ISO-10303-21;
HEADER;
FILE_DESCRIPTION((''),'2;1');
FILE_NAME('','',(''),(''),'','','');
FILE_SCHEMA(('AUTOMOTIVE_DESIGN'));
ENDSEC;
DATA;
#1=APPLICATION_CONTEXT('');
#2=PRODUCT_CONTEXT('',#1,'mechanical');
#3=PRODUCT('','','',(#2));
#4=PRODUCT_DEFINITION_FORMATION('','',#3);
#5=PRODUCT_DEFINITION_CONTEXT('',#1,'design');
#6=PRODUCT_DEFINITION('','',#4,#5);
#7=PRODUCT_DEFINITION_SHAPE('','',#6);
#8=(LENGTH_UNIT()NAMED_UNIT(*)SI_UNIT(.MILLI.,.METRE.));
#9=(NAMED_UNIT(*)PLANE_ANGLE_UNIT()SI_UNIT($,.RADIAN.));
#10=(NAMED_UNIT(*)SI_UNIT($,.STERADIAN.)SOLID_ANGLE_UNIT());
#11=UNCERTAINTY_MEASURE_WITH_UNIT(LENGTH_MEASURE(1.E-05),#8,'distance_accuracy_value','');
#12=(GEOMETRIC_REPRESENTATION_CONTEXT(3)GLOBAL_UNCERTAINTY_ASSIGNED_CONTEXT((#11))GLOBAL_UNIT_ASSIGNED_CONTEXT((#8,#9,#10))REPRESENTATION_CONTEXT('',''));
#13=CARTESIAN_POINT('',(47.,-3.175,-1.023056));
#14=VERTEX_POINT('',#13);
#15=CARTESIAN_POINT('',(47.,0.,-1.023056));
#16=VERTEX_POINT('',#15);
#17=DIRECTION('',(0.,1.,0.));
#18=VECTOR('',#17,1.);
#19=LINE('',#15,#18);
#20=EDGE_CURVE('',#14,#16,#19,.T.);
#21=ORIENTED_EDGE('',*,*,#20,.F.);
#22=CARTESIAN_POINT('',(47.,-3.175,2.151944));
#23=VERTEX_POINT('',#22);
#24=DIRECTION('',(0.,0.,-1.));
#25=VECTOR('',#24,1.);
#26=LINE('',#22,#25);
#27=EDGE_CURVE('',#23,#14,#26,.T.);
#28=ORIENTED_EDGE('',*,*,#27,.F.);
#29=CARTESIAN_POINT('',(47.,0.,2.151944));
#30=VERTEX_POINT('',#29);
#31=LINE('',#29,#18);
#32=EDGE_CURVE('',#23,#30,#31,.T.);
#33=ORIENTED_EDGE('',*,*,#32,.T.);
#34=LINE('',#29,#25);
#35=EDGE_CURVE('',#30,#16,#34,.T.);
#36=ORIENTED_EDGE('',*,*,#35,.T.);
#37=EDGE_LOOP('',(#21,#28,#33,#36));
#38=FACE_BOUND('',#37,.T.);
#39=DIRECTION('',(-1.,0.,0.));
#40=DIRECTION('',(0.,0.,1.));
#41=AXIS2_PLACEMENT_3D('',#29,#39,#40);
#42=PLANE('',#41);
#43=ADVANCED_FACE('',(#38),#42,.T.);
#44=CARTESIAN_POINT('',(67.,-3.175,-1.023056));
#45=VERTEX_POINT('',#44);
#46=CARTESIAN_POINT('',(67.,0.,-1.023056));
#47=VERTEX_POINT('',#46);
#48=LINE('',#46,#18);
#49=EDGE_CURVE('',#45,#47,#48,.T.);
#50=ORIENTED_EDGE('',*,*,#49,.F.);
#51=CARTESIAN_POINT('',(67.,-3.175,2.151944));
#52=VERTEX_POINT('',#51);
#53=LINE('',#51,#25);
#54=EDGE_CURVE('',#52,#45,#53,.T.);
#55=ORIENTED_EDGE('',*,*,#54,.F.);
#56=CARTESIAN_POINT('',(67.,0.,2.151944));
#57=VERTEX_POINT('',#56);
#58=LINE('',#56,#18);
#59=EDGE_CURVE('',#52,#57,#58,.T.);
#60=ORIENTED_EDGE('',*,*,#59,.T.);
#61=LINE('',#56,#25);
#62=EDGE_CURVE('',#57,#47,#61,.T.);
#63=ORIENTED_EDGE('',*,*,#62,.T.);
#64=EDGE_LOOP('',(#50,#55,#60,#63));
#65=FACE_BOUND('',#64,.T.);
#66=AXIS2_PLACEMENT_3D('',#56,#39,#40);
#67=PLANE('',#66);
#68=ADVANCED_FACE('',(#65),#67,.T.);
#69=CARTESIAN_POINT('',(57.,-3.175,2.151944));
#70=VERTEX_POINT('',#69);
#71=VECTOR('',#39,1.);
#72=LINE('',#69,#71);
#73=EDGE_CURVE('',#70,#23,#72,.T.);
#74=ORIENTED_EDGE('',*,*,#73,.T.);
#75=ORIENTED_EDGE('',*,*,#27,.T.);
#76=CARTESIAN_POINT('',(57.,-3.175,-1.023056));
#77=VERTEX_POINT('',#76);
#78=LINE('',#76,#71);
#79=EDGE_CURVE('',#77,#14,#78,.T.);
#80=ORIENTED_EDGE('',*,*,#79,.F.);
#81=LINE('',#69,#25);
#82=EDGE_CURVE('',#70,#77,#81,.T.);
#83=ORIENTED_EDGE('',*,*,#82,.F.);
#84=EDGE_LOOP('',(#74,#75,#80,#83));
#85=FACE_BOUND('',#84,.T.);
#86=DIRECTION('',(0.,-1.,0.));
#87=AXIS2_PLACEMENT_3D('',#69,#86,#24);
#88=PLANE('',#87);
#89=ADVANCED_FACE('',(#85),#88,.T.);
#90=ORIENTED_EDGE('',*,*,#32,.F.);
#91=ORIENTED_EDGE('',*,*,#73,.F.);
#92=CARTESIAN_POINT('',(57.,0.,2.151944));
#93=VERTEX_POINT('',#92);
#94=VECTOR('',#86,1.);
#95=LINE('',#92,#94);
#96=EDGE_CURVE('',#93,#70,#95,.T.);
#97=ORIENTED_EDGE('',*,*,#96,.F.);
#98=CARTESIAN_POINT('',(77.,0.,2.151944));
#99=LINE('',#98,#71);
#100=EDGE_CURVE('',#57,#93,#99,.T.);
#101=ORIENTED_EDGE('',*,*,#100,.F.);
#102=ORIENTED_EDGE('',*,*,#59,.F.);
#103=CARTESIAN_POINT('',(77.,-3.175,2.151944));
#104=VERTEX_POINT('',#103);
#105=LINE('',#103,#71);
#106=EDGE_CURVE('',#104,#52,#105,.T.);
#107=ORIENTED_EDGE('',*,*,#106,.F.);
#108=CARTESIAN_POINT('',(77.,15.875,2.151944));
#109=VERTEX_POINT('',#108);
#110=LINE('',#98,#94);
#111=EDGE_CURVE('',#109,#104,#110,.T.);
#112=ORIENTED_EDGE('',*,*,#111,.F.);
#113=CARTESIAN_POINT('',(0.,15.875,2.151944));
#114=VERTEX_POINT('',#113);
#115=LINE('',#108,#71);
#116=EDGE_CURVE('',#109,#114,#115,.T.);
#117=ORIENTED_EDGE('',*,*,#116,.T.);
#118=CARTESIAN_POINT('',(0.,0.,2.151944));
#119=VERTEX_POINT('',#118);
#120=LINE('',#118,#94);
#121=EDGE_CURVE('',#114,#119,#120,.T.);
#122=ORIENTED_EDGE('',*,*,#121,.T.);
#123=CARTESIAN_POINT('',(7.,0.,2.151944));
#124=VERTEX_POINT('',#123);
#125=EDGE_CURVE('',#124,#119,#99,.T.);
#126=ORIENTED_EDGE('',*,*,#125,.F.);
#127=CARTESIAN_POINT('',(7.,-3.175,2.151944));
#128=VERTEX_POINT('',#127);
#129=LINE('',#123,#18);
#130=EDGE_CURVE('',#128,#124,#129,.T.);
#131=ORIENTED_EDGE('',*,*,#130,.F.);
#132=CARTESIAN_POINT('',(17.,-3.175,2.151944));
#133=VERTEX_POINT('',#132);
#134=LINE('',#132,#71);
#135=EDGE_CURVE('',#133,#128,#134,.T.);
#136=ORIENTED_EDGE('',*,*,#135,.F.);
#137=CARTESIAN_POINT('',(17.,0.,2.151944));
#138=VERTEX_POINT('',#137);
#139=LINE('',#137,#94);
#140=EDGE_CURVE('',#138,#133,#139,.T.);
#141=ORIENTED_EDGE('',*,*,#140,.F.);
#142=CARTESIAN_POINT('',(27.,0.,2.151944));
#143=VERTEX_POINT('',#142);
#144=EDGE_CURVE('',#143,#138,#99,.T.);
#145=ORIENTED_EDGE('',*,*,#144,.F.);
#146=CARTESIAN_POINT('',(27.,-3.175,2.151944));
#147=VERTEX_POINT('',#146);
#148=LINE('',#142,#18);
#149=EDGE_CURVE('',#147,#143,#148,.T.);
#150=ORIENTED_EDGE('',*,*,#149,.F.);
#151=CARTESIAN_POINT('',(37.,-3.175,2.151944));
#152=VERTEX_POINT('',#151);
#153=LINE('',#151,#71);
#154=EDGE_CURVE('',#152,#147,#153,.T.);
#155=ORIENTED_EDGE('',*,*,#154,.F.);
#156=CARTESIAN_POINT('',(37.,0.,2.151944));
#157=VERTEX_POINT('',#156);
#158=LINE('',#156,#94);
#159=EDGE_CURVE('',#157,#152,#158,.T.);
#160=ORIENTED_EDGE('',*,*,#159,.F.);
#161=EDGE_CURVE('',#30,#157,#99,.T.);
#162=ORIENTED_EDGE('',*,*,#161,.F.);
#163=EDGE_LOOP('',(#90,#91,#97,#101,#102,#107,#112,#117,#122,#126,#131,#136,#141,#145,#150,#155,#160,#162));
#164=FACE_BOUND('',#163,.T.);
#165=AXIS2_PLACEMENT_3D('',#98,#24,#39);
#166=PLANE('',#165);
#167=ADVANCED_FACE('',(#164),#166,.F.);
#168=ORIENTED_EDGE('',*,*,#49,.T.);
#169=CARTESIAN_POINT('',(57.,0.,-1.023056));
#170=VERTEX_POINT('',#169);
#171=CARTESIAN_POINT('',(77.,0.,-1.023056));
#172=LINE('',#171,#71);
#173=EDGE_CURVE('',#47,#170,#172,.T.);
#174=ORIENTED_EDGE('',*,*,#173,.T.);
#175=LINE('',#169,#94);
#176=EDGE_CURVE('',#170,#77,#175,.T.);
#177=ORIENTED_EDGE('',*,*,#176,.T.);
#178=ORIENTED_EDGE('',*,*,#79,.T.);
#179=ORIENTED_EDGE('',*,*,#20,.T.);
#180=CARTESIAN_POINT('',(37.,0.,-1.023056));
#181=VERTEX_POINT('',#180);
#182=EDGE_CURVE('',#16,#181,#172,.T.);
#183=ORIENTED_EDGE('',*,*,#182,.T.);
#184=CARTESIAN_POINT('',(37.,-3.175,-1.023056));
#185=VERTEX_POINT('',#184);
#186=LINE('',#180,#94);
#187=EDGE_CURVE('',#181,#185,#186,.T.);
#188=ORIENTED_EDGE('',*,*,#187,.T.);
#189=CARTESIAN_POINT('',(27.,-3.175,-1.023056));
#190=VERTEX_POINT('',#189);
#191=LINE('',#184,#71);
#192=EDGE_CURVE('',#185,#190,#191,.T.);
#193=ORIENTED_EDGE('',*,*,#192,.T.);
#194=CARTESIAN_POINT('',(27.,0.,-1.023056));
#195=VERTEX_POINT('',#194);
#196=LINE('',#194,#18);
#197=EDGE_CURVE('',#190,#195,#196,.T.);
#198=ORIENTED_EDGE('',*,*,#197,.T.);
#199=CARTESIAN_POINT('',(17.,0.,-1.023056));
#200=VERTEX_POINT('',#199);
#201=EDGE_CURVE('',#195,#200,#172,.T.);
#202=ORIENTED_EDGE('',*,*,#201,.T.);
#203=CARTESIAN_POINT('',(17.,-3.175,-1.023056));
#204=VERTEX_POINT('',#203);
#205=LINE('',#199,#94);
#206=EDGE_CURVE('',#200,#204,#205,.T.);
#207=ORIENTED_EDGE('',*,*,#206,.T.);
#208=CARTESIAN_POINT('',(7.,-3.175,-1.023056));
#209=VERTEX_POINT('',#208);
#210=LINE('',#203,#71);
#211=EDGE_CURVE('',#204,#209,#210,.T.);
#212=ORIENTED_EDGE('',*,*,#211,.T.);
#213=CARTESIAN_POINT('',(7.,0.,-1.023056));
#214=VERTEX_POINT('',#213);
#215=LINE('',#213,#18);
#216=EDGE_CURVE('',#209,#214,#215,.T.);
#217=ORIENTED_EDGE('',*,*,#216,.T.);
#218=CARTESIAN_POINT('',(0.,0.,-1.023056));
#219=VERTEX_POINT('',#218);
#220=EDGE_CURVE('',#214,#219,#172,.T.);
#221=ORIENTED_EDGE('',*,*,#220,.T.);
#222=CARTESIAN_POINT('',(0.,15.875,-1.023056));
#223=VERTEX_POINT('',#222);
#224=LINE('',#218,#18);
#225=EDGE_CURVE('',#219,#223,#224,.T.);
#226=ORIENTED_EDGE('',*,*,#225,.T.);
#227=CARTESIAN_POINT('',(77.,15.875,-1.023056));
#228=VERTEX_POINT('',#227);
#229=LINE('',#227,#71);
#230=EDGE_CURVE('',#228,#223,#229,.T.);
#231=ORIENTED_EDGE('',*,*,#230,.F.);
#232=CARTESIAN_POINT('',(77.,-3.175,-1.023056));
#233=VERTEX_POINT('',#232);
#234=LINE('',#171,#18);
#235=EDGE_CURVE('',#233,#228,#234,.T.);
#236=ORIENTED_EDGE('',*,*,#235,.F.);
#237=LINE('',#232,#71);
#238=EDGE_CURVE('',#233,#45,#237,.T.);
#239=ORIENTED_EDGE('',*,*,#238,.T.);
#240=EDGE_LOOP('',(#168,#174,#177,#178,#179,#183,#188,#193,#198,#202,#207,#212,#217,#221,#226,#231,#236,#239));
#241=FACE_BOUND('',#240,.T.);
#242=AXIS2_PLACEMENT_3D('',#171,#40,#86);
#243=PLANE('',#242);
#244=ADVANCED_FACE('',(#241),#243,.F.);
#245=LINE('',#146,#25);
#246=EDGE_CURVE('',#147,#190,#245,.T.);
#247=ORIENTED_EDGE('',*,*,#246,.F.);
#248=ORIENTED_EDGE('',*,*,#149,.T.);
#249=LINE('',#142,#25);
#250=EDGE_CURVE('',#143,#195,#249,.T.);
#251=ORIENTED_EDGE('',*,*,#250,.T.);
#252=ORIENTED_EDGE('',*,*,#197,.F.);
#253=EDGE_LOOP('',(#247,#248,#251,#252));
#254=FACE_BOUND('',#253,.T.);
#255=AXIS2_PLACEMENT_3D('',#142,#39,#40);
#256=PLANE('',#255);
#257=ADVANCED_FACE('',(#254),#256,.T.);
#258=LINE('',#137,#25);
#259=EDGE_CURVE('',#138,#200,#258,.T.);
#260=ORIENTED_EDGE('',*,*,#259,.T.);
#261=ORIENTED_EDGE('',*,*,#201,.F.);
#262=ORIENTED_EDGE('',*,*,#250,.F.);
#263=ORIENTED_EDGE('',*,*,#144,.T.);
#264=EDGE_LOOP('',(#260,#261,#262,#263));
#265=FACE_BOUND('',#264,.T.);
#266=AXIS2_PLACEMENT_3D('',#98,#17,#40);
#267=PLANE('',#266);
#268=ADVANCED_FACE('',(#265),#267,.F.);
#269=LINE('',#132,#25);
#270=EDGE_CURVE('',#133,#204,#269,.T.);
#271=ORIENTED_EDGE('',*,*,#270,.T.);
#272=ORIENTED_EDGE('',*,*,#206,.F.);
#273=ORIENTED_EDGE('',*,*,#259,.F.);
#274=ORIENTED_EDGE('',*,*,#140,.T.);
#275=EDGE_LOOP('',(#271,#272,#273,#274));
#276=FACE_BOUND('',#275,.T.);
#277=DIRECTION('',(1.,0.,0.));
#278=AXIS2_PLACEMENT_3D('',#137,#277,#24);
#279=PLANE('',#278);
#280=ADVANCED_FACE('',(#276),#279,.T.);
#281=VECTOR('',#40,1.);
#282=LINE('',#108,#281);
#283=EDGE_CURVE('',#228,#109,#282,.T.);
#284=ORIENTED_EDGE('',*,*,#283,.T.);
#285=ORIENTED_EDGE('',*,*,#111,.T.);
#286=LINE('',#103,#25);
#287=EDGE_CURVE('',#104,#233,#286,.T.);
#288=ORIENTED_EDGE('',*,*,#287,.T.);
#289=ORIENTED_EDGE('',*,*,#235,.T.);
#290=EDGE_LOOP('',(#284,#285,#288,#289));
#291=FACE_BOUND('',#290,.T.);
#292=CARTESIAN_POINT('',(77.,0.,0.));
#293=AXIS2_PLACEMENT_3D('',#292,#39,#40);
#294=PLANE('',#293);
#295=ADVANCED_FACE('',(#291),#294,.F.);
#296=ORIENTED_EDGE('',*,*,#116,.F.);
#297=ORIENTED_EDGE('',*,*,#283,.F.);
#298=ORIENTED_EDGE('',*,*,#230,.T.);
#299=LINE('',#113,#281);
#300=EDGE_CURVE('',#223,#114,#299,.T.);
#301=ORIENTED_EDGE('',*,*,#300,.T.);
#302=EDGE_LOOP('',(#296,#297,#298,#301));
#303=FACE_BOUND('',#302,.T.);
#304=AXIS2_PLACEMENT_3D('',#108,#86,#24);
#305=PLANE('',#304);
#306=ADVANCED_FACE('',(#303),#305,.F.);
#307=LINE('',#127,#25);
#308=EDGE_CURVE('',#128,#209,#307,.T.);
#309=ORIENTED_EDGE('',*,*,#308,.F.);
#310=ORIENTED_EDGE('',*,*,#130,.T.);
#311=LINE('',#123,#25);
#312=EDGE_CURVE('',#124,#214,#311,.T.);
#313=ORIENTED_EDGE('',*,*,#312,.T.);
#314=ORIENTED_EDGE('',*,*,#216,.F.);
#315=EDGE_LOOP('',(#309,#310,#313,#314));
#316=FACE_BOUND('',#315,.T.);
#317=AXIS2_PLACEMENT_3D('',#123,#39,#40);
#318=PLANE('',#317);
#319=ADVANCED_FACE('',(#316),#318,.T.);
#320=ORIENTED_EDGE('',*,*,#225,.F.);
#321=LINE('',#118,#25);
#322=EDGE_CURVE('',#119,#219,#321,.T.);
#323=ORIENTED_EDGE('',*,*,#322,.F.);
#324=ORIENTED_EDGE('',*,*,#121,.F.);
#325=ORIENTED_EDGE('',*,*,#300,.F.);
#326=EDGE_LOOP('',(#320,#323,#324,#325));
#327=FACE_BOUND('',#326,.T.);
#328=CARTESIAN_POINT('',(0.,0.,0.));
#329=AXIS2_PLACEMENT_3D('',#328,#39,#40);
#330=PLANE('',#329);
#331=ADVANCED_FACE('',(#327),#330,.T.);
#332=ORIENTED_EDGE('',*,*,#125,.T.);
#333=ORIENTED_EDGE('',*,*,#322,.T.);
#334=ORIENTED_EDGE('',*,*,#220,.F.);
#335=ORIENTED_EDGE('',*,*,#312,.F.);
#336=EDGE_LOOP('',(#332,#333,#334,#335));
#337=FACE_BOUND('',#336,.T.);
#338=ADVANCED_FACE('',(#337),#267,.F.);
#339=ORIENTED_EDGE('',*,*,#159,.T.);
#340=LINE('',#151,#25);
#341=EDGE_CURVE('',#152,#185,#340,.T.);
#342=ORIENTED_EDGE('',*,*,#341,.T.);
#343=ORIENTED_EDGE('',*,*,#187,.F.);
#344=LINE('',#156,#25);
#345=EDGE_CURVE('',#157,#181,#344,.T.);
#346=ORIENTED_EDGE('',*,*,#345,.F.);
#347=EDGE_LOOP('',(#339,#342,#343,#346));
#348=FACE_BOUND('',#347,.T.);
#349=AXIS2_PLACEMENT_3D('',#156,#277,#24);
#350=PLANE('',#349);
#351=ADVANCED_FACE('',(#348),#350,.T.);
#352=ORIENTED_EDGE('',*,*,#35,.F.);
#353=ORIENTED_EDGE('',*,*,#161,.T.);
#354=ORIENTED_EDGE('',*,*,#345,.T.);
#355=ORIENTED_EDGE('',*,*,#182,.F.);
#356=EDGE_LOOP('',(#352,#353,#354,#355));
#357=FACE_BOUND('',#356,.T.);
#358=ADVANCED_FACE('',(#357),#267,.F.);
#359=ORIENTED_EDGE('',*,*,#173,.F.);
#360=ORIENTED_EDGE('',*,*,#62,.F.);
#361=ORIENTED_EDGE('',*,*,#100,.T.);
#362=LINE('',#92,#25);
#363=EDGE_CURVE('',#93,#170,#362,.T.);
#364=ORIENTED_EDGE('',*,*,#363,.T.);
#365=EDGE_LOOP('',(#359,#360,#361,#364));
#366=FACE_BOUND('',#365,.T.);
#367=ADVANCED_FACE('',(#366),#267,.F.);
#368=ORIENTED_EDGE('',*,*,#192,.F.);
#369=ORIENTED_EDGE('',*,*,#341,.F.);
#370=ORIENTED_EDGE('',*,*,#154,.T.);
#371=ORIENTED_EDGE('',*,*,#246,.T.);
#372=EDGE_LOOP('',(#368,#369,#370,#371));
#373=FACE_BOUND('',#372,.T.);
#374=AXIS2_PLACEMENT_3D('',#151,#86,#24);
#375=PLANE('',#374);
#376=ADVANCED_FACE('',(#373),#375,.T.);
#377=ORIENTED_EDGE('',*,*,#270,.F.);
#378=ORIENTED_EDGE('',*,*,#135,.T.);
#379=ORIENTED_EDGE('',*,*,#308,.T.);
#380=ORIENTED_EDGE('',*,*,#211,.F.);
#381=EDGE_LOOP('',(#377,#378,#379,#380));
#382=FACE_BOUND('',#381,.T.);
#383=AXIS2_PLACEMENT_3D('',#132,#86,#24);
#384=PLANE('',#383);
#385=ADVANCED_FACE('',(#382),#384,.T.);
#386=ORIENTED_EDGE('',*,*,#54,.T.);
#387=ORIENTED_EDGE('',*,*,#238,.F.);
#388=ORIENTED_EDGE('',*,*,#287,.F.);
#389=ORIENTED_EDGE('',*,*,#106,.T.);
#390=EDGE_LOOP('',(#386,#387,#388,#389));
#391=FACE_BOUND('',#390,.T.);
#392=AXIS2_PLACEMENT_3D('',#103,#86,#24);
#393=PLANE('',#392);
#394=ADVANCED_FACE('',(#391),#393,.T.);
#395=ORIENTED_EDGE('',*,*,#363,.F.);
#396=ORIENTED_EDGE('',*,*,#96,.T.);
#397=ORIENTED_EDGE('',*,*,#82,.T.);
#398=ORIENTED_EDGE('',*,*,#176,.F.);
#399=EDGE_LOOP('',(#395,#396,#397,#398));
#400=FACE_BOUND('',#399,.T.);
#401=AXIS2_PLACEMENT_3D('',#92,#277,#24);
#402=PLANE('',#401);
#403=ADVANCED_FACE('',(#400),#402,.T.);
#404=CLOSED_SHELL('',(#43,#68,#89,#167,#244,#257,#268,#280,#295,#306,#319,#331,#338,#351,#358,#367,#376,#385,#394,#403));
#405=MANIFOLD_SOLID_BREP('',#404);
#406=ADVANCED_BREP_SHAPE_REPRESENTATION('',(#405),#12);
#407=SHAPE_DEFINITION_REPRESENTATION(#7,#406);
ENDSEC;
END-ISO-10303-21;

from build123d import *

# Parameters (mm, degrees)
SKETCH1_W           = 3.175
SKETCH1_H           = 15.875
BOSS_EXTRUDE1_DEPTH = 77
SKETCH2_W           = 10
SKETCH2_H           = 3.175
BOSS_EXTRUDE2_DEPTH = 3.175


with BuildPart() as part:
    # Sketch1 → Boss-Extrude1 (new body)
    with BuildSketch(Plane(origin=(0, 0, 0), x_dir=(0, 0, -1), z_dir=(1, 0, 0))):
        with Locations((-0.564444444, 7.9375)):
            Rectangle(SKETCH1_W, SKETCH1_H)
    extrude(amount=BOSS_EXTRUDE1_DEPTH)

    # Sketch2 → Boss-Extrude2 (add)
    with BuildSketch(Plane(origin=(0, 0, -1.023055556), x_dir=(-1, 0, 0), z_dir=(0, 0, -1))):
        with Locations((-52, -1.5875)):
            Rectangle(SKETCH2_W, SKETCH2_H)
        with Locations((-72, -1.5875)):
            Rectangle(SKETCH2_W, SKETCH2_H)
        with Locations((-32, -1.5875)):
            Rectangle(SKETCH2_W, SKETCH2_H)
        with Locations((-12, -1.5875)):
            Rectangle(SKETCH2_W, SKETCH2_H)
    extrude(amount=-BOSS_EXTRUDE2_DEPTH)


solid = part.part
